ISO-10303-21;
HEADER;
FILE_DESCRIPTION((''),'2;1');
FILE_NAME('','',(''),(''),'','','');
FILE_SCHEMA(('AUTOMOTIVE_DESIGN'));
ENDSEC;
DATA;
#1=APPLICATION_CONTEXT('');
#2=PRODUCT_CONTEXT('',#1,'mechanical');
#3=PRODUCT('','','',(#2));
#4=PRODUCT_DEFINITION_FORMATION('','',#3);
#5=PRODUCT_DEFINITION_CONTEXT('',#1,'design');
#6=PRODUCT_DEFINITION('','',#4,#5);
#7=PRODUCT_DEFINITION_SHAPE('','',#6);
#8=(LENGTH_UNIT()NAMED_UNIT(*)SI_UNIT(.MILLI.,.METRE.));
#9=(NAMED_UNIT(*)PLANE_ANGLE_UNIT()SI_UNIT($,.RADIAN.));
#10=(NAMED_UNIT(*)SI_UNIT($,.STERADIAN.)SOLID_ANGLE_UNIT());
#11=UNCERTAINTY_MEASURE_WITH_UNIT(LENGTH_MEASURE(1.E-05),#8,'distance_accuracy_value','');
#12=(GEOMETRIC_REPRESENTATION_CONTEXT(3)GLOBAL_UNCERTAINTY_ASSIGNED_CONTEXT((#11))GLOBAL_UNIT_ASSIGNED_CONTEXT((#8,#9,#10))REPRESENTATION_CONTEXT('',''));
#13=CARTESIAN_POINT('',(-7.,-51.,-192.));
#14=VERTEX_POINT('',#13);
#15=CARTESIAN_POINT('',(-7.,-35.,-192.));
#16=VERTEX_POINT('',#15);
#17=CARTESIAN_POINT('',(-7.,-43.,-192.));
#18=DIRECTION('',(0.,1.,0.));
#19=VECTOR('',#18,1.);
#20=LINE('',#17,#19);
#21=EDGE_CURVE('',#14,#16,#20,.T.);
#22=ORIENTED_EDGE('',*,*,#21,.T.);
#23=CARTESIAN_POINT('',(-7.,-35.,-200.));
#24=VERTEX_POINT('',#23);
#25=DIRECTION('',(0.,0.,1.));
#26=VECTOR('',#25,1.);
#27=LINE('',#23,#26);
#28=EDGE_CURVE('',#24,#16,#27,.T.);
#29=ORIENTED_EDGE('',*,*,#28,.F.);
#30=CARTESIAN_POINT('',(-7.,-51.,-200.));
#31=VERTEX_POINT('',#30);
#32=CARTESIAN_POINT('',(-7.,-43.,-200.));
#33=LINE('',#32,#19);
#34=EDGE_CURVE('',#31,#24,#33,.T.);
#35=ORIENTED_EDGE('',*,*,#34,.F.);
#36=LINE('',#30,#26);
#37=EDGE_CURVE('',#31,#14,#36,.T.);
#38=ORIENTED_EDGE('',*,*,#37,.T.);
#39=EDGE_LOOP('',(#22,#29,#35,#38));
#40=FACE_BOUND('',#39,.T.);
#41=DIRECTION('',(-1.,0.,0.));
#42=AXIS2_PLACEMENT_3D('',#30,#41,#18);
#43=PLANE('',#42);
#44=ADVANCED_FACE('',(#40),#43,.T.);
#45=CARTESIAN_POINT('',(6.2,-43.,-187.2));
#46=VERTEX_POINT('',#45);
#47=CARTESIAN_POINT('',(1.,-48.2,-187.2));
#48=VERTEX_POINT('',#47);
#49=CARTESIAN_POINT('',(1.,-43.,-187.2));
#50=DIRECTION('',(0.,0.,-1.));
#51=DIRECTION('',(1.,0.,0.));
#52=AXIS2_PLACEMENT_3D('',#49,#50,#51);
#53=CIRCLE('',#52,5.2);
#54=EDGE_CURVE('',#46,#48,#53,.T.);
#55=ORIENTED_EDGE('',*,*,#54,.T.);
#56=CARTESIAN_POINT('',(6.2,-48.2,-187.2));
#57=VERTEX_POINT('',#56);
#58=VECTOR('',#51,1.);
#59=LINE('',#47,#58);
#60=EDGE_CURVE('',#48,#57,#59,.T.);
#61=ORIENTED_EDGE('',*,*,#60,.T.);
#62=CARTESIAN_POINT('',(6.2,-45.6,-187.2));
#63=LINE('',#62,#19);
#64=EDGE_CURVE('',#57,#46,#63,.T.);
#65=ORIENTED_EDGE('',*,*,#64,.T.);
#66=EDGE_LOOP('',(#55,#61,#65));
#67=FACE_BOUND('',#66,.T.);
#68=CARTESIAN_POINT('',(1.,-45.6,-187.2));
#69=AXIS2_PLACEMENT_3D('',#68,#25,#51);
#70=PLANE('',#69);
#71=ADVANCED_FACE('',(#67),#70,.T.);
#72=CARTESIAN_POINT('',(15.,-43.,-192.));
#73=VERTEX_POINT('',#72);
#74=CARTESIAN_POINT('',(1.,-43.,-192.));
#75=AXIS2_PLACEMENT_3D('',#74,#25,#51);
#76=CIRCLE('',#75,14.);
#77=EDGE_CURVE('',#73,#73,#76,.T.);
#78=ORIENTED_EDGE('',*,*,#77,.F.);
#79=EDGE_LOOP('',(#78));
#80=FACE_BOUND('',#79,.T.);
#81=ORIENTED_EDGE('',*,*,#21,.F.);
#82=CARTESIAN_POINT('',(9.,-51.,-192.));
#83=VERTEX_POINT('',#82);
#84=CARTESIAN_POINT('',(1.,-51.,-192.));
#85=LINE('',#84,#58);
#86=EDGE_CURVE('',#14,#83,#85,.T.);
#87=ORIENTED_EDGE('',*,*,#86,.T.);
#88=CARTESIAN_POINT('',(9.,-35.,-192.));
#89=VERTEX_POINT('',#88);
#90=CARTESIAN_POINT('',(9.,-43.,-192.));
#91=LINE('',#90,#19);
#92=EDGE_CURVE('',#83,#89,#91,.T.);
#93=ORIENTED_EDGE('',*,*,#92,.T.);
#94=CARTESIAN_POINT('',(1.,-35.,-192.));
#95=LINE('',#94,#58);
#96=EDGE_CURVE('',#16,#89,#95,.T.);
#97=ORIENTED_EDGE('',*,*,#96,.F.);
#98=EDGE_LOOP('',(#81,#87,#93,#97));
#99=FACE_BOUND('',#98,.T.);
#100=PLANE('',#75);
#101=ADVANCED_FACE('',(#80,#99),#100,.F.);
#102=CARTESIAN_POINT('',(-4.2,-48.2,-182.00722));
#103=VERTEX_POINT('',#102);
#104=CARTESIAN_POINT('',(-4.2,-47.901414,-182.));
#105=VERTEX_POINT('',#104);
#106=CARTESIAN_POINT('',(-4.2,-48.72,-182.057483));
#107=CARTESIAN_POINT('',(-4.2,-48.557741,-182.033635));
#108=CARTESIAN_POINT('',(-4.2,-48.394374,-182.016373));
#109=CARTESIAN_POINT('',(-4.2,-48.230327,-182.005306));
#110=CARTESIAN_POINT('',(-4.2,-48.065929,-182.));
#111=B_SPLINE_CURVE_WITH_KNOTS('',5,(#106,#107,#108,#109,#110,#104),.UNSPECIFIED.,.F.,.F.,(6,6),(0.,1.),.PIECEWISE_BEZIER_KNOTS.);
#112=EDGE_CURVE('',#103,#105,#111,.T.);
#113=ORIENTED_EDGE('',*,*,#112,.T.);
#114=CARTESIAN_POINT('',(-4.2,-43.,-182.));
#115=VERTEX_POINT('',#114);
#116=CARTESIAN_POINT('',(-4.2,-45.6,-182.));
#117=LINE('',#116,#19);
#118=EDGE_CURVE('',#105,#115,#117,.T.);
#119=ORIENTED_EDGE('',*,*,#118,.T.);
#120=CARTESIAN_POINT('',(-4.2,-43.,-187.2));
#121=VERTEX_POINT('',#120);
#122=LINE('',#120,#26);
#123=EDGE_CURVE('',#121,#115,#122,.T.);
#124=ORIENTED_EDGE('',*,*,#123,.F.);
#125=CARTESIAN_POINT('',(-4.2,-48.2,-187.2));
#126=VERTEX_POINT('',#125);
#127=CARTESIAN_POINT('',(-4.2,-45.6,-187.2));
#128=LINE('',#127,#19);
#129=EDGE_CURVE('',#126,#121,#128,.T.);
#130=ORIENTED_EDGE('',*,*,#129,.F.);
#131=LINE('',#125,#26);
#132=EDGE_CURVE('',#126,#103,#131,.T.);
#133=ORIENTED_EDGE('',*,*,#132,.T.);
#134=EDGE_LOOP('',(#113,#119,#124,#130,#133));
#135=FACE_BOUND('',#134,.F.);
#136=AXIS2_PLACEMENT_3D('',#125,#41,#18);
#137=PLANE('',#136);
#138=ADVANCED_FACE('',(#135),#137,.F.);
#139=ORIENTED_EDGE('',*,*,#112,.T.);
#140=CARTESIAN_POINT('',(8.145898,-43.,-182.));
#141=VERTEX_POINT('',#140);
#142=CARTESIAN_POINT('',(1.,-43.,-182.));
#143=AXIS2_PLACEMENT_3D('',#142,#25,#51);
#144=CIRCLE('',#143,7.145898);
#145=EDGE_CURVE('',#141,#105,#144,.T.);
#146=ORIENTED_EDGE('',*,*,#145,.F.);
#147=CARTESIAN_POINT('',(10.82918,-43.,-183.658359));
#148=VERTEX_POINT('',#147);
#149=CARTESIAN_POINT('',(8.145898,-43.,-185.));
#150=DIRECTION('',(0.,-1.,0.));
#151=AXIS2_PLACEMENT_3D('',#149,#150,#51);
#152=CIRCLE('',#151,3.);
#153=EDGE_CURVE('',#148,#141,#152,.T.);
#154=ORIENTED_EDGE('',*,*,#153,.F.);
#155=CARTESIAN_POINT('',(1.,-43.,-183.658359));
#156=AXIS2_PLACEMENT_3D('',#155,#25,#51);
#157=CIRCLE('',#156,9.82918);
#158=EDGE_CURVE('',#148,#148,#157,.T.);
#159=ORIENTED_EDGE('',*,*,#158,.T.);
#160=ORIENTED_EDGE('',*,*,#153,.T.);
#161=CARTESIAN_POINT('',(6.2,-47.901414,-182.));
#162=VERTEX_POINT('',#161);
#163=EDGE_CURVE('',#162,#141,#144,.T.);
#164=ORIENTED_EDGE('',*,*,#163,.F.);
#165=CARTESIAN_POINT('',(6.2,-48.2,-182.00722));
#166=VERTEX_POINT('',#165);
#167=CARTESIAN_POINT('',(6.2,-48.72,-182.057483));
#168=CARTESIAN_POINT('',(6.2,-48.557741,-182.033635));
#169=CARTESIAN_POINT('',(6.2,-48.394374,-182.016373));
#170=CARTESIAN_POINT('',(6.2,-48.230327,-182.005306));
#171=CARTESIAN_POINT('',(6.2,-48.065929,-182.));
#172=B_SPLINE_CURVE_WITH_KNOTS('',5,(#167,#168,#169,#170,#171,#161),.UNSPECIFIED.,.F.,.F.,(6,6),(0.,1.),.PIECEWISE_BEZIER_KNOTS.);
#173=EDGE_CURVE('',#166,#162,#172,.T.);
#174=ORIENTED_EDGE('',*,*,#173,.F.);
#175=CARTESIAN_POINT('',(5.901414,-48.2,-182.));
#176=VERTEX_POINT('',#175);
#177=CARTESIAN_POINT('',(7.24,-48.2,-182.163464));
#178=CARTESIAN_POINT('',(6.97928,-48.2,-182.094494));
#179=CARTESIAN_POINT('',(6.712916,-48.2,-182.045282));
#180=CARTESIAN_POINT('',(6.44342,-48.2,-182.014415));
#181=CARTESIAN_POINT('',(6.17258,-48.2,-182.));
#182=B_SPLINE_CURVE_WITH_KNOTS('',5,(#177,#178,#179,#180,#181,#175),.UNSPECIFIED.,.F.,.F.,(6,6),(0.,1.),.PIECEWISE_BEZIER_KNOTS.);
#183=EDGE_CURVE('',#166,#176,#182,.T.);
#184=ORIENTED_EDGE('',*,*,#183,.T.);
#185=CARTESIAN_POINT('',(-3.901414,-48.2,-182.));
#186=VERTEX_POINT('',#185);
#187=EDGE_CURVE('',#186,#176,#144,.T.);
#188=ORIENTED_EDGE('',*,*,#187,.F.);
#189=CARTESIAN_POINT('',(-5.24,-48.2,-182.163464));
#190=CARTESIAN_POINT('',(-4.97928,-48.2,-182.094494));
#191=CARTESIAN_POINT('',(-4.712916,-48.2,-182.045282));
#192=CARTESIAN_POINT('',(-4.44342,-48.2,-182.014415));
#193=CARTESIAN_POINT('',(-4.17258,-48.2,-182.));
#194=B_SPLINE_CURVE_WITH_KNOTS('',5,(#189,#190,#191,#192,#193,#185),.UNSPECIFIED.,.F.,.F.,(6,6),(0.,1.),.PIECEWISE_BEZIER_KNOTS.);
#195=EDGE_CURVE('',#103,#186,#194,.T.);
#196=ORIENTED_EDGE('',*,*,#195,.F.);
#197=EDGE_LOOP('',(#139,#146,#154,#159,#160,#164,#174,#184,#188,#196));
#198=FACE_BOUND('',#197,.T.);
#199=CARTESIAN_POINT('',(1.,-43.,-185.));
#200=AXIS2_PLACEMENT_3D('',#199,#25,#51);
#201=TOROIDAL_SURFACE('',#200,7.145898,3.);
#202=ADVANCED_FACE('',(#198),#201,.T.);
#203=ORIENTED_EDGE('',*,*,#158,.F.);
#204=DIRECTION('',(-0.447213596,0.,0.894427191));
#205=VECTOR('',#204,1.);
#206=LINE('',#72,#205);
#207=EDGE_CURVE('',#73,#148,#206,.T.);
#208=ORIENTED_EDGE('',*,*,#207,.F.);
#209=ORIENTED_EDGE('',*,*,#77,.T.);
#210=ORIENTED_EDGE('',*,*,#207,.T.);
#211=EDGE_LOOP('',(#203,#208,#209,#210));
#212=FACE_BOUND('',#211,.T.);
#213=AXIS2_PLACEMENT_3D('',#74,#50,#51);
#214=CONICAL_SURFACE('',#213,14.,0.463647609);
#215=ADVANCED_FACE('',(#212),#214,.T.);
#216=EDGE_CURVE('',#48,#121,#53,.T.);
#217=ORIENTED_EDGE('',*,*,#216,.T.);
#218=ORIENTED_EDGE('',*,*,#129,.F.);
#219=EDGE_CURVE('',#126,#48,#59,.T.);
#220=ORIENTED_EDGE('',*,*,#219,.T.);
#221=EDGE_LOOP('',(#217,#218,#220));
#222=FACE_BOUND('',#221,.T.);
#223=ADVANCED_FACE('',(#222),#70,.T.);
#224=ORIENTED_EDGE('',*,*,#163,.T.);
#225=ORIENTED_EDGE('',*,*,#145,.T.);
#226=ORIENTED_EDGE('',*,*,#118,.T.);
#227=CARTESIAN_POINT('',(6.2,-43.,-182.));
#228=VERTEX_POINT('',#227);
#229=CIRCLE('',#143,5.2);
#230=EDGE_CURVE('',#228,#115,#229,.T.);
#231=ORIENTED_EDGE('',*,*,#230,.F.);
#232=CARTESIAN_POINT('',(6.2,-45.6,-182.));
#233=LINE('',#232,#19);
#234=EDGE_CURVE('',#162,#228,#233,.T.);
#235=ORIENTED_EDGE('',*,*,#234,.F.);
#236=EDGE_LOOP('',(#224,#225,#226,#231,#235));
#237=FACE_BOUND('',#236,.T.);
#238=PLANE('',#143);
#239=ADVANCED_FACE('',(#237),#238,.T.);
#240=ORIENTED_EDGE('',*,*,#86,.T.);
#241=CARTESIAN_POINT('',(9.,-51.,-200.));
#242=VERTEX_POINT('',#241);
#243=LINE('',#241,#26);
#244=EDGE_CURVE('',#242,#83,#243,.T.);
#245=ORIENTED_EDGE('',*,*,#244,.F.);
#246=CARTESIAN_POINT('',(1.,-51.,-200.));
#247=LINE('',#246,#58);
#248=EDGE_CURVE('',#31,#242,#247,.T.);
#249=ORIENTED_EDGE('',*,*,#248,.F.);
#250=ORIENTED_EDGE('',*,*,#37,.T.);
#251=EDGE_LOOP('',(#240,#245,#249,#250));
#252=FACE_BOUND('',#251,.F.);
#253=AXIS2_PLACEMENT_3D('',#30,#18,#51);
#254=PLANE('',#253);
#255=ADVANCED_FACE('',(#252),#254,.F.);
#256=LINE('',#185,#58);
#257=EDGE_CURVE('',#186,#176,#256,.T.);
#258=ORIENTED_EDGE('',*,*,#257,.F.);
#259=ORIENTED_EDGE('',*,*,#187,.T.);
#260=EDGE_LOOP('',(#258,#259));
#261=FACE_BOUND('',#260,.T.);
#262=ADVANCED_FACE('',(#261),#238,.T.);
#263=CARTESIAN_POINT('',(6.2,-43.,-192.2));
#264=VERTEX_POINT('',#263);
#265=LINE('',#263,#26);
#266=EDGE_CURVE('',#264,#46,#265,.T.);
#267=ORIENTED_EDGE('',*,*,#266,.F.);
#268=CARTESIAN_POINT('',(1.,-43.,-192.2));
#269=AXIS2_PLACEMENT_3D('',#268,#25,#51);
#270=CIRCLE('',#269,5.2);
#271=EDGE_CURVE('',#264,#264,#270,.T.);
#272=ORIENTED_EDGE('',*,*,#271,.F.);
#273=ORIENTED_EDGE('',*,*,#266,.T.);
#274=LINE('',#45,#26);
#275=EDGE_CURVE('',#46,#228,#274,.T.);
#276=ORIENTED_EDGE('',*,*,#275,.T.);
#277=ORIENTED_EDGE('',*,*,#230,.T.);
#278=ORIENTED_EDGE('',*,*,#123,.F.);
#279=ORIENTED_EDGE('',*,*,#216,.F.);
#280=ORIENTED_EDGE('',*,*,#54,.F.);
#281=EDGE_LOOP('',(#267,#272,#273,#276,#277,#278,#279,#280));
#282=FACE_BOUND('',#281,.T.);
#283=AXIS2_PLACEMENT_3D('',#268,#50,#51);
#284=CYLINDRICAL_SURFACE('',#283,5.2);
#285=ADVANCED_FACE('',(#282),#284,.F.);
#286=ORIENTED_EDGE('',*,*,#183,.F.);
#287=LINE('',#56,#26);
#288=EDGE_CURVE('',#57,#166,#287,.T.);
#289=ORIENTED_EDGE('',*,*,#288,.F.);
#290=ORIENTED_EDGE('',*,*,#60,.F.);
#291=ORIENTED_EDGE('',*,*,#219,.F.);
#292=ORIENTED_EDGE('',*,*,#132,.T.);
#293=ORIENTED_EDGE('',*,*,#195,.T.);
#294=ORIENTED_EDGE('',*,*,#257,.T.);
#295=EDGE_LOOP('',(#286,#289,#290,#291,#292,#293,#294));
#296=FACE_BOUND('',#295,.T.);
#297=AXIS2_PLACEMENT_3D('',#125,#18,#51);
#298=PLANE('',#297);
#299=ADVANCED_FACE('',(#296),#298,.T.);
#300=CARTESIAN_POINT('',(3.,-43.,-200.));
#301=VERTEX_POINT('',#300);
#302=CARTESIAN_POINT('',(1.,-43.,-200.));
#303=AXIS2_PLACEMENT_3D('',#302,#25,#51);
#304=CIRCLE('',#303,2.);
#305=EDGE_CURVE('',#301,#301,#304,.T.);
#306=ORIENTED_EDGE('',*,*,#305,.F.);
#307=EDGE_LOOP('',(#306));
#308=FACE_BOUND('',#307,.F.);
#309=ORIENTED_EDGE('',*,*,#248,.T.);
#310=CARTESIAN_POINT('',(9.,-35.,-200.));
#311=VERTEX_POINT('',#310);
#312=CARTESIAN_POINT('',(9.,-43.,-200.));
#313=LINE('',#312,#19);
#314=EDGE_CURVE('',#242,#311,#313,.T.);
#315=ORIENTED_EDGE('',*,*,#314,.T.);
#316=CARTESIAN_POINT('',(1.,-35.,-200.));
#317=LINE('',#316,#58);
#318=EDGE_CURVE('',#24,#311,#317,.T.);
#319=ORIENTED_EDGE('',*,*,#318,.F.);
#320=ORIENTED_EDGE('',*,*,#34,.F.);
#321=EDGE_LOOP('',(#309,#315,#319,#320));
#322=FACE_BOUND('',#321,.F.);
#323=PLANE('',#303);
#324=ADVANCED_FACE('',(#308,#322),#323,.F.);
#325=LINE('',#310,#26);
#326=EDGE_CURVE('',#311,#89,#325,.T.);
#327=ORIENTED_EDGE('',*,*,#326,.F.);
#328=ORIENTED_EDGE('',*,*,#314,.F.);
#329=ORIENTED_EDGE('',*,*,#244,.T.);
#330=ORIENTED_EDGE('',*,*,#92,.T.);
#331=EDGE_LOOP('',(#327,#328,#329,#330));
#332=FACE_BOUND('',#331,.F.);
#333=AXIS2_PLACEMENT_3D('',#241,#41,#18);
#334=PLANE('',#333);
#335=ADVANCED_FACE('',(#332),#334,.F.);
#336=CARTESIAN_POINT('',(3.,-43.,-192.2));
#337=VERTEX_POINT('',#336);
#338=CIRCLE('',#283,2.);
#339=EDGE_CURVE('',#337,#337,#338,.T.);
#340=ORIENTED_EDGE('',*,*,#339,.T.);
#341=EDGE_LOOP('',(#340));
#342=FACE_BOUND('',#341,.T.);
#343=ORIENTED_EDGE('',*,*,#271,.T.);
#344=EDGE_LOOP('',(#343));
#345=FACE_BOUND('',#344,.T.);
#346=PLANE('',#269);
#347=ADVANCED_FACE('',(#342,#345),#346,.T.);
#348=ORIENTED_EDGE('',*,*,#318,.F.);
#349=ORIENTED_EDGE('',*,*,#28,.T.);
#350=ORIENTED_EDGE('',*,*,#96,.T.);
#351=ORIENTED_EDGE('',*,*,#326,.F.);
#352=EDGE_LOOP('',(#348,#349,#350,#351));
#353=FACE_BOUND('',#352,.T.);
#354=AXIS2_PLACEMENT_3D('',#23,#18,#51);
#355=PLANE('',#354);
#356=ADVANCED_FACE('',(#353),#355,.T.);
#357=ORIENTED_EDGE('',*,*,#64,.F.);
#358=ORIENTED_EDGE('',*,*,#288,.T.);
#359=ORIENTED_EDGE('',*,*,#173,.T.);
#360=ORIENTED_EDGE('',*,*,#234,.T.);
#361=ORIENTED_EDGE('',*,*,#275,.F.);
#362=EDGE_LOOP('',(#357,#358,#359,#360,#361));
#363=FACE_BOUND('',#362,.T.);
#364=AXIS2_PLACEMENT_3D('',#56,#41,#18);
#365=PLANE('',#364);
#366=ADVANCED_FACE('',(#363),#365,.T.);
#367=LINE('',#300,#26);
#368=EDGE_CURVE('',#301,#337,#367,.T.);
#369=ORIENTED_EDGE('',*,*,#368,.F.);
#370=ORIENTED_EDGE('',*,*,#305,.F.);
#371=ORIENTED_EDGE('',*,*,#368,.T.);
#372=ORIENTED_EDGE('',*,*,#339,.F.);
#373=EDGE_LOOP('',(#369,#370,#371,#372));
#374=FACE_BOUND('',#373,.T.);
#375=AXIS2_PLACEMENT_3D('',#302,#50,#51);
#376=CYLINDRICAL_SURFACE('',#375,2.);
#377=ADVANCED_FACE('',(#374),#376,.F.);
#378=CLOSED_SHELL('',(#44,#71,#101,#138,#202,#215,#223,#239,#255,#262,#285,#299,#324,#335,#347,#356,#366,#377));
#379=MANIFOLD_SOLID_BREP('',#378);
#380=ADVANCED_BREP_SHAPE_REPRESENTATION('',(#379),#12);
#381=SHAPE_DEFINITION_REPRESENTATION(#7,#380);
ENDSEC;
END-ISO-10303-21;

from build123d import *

# Parameters (mm, degrees)
FILLET001_R       = 3
BOX005_W          = 10.4
BOX005_H          = 5.2
BOX005_DEPTH      = 5.2
BOX006_W          = 16
BOX006_H          = 16
BOX006_DEPTH      = 8
CYLINDER009_R     = 5.2
CYLINDER009_DEPTH = 10.2
CYLINDER010_R     = 2
CYLINDER010_DEPTH = 8


with BuildPart() as part:
    # Cone → Cone (revolve)
    with BuildSketch(Plane.XZ):
        Polygon((0, 0), (14, 0), (9, 10), (0, 10), align=None)
    revolve(axis=Axis((0, 0, 0), (0, 0, 1)))

    # Fillet001
    fillet001_edges = [part.edges().sort_by_distance(p)[0] for p in [
        (-9, 0, 10),
    ]]
    fillet(fillet001_edges, radius=FILLET001_R)

    # Box005 → Box005 (cut)
    with BuildSketch(Plane(origin=(-5.2, -5.2, 4.8), x_dir=(1, 0, 0), z_dir=(0, 0, 1))):
        with Locations((5.2, 2.6)):
            Rectangle(BOX005_W, BOX005_H)
    extrude(amount=BOX005_DEPTH, mode=Mode.SUBTRACT)

    # Box006 → Box006 (join)
    with BuildSketch(Plane(origin=(-8, -8, -8), x_dir=(1, 0, 0), z_dir=(0, 0, 1))):
        with Locations((8, 8)):
            Rectangle(BOX006_W, BOX006_H)
    extrude(amount=BOX006_DEPTH)

    # Cylinder009 → Cylinder009 (cut)
    with BuildSketch(Plane.XY.offset(-0.2)):
        Circle(CYLINDER009_R)
    extrude(amount=CYLINDER009_DEPTH, mode=Mode.SUBTRACT)

    # Cylinder010 → Cylinder010 (cut)
    with BuildSketch(Plane.XY.offset(-8)):
        Circle(CYLINDER010_R)
    extrude(amount=CYLINDER010_DEPTH, mode=Mode.SUBTRACT)


with BuildPart() as part_1:
    # Body005 placement: moved
    add(part.part.moved(Location((1, -43, -192))))


solid = part_1.part
